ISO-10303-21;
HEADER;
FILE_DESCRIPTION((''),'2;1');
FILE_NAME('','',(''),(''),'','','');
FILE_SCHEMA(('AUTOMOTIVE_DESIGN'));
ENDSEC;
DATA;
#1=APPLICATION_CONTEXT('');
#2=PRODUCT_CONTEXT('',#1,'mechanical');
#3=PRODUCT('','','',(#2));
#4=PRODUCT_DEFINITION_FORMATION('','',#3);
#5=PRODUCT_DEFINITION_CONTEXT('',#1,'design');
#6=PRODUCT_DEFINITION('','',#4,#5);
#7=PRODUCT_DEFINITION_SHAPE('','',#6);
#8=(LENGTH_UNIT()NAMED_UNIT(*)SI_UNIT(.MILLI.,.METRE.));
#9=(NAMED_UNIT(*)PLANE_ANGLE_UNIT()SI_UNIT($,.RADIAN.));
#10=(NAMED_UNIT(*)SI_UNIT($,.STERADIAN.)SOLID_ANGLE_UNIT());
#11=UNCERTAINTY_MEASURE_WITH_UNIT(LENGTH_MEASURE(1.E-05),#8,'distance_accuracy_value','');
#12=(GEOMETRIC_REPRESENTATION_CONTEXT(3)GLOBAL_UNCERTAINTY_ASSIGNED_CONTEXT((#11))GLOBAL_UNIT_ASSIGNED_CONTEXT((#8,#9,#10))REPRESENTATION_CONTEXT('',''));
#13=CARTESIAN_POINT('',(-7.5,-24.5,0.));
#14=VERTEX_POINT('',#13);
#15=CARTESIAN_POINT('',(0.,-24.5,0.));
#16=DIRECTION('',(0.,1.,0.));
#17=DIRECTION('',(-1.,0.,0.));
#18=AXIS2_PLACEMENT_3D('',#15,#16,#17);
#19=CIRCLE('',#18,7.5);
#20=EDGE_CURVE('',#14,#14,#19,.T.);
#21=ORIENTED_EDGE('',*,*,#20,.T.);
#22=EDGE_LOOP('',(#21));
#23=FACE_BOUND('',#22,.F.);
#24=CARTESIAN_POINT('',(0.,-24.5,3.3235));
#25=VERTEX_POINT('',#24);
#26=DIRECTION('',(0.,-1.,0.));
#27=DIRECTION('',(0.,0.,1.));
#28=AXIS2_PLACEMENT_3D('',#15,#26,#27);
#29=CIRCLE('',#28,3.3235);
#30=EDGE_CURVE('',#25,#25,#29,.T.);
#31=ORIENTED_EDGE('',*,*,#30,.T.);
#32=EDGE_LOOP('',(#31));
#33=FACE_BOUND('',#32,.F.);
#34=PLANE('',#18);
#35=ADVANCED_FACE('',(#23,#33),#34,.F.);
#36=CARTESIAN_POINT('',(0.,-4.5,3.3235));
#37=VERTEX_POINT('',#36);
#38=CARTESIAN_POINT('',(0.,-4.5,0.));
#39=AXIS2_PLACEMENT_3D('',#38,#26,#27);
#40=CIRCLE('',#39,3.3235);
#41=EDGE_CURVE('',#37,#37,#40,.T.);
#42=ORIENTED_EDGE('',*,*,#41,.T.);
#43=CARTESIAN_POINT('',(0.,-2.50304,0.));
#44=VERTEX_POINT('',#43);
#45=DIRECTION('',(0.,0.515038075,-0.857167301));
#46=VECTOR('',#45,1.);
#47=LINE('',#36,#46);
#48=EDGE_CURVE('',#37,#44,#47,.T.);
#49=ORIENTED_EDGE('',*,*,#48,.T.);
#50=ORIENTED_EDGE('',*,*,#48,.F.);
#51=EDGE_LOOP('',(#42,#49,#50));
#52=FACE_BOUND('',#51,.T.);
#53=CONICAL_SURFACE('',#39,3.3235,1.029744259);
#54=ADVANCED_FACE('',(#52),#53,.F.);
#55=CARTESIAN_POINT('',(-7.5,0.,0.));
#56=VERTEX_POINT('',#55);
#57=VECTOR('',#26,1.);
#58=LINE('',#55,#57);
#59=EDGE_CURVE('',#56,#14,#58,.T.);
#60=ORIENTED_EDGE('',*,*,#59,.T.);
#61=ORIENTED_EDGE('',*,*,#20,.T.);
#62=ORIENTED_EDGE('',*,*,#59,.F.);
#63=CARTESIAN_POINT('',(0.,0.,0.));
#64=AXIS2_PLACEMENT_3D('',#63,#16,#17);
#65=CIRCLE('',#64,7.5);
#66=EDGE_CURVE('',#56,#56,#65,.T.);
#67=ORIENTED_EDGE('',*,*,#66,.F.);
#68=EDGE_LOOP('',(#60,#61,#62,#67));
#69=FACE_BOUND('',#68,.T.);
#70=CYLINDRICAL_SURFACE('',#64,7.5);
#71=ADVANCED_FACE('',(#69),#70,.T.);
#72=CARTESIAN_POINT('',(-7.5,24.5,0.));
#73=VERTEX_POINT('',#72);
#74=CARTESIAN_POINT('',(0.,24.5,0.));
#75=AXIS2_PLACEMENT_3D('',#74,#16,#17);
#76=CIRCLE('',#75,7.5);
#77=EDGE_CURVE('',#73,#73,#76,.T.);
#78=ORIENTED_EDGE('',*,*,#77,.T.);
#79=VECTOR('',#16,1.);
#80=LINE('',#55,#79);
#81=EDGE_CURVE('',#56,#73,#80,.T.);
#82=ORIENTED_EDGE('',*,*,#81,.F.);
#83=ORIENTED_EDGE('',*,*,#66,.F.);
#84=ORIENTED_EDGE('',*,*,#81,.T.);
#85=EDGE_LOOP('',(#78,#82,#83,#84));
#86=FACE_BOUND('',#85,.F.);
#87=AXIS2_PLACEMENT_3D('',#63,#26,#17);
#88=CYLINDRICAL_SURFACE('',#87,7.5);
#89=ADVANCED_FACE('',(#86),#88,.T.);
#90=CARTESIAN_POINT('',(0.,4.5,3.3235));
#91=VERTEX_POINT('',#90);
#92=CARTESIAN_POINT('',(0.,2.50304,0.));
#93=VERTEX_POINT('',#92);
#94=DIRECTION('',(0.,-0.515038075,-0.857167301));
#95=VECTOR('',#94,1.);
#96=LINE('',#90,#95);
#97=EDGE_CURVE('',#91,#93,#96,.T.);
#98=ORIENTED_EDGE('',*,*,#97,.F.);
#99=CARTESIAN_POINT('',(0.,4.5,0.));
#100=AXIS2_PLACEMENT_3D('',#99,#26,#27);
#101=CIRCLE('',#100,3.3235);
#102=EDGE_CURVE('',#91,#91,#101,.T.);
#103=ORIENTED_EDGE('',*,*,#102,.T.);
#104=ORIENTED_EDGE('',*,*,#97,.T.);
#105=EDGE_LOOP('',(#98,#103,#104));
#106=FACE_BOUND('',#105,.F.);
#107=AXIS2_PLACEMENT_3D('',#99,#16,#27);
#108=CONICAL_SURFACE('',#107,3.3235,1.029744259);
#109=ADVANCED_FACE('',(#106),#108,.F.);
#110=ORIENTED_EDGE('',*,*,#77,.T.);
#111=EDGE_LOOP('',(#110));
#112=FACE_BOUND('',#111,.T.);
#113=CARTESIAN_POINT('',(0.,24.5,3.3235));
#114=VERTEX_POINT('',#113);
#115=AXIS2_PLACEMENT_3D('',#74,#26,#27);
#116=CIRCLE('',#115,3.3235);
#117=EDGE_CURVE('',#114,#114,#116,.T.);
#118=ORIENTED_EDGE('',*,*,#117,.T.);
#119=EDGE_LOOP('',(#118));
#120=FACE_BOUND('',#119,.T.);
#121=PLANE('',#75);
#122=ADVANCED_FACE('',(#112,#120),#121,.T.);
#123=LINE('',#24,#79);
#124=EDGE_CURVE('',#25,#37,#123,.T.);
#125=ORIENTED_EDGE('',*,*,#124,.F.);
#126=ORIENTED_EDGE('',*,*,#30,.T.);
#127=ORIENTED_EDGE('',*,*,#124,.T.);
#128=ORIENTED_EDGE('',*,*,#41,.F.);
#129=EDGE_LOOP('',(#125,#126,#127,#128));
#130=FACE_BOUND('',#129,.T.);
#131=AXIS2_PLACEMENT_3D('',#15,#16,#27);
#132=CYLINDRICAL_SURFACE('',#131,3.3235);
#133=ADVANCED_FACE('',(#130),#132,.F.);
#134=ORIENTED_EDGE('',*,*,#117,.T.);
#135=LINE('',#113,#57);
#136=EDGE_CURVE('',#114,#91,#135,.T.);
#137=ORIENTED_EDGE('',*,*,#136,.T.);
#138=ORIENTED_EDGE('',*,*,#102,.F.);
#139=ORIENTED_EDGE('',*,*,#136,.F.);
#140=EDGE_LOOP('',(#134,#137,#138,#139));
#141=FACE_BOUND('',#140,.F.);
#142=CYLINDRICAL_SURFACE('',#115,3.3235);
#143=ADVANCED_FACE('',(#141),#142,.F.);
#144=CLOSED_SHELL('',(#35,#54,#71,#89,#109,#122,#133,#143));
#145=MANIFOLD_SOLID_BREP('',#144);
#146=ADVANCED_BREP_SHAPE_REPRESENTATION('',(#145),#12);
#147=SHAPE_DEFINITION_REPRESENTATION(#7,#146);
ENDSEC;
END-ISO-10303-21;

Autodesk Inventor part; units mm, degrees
ref_plane "YZ Plane" through (0, 0, 0) normal (1, 0, 0) x (0, 1, 0)
ref_plane "XZ Plane" through (0, 0, 0) normal (0, 1, 0) x (-1, 0, 0)
ref_plane "XY Plane" through (0, 0, 0) normal (0, 0, 1) x (1, 0, 0)
sketch "Sketch1" plane through (0, 0, 0) normal (0, 1, 0) x (-1, 0, 0)
  circle A0 centre (0, 0) radius 7.5
  dimension "d0" = 15
extrude "Extrusion1" add sketch "Sketch1" along normal mid plane 49
sketch "Sketch2" plane through (0, 24.5, 0) normal (0, 1, 0) x (1, 0, 0)
  point P0 (0, 0)
  point P1 (0, 0)
hole "Hole1" at (0, 24.5, 0) direction (0, -1, 0) diameter 6.647 depth 20 tip angle 118 thread size "M8x1.25" class "6H" standard "ISO Metric profile"
mirror "Mirror2" about plane through (0, 0, 0) normal (0, 1, 0) of "Hole1"
properties part number "Mid_structure_bar"
